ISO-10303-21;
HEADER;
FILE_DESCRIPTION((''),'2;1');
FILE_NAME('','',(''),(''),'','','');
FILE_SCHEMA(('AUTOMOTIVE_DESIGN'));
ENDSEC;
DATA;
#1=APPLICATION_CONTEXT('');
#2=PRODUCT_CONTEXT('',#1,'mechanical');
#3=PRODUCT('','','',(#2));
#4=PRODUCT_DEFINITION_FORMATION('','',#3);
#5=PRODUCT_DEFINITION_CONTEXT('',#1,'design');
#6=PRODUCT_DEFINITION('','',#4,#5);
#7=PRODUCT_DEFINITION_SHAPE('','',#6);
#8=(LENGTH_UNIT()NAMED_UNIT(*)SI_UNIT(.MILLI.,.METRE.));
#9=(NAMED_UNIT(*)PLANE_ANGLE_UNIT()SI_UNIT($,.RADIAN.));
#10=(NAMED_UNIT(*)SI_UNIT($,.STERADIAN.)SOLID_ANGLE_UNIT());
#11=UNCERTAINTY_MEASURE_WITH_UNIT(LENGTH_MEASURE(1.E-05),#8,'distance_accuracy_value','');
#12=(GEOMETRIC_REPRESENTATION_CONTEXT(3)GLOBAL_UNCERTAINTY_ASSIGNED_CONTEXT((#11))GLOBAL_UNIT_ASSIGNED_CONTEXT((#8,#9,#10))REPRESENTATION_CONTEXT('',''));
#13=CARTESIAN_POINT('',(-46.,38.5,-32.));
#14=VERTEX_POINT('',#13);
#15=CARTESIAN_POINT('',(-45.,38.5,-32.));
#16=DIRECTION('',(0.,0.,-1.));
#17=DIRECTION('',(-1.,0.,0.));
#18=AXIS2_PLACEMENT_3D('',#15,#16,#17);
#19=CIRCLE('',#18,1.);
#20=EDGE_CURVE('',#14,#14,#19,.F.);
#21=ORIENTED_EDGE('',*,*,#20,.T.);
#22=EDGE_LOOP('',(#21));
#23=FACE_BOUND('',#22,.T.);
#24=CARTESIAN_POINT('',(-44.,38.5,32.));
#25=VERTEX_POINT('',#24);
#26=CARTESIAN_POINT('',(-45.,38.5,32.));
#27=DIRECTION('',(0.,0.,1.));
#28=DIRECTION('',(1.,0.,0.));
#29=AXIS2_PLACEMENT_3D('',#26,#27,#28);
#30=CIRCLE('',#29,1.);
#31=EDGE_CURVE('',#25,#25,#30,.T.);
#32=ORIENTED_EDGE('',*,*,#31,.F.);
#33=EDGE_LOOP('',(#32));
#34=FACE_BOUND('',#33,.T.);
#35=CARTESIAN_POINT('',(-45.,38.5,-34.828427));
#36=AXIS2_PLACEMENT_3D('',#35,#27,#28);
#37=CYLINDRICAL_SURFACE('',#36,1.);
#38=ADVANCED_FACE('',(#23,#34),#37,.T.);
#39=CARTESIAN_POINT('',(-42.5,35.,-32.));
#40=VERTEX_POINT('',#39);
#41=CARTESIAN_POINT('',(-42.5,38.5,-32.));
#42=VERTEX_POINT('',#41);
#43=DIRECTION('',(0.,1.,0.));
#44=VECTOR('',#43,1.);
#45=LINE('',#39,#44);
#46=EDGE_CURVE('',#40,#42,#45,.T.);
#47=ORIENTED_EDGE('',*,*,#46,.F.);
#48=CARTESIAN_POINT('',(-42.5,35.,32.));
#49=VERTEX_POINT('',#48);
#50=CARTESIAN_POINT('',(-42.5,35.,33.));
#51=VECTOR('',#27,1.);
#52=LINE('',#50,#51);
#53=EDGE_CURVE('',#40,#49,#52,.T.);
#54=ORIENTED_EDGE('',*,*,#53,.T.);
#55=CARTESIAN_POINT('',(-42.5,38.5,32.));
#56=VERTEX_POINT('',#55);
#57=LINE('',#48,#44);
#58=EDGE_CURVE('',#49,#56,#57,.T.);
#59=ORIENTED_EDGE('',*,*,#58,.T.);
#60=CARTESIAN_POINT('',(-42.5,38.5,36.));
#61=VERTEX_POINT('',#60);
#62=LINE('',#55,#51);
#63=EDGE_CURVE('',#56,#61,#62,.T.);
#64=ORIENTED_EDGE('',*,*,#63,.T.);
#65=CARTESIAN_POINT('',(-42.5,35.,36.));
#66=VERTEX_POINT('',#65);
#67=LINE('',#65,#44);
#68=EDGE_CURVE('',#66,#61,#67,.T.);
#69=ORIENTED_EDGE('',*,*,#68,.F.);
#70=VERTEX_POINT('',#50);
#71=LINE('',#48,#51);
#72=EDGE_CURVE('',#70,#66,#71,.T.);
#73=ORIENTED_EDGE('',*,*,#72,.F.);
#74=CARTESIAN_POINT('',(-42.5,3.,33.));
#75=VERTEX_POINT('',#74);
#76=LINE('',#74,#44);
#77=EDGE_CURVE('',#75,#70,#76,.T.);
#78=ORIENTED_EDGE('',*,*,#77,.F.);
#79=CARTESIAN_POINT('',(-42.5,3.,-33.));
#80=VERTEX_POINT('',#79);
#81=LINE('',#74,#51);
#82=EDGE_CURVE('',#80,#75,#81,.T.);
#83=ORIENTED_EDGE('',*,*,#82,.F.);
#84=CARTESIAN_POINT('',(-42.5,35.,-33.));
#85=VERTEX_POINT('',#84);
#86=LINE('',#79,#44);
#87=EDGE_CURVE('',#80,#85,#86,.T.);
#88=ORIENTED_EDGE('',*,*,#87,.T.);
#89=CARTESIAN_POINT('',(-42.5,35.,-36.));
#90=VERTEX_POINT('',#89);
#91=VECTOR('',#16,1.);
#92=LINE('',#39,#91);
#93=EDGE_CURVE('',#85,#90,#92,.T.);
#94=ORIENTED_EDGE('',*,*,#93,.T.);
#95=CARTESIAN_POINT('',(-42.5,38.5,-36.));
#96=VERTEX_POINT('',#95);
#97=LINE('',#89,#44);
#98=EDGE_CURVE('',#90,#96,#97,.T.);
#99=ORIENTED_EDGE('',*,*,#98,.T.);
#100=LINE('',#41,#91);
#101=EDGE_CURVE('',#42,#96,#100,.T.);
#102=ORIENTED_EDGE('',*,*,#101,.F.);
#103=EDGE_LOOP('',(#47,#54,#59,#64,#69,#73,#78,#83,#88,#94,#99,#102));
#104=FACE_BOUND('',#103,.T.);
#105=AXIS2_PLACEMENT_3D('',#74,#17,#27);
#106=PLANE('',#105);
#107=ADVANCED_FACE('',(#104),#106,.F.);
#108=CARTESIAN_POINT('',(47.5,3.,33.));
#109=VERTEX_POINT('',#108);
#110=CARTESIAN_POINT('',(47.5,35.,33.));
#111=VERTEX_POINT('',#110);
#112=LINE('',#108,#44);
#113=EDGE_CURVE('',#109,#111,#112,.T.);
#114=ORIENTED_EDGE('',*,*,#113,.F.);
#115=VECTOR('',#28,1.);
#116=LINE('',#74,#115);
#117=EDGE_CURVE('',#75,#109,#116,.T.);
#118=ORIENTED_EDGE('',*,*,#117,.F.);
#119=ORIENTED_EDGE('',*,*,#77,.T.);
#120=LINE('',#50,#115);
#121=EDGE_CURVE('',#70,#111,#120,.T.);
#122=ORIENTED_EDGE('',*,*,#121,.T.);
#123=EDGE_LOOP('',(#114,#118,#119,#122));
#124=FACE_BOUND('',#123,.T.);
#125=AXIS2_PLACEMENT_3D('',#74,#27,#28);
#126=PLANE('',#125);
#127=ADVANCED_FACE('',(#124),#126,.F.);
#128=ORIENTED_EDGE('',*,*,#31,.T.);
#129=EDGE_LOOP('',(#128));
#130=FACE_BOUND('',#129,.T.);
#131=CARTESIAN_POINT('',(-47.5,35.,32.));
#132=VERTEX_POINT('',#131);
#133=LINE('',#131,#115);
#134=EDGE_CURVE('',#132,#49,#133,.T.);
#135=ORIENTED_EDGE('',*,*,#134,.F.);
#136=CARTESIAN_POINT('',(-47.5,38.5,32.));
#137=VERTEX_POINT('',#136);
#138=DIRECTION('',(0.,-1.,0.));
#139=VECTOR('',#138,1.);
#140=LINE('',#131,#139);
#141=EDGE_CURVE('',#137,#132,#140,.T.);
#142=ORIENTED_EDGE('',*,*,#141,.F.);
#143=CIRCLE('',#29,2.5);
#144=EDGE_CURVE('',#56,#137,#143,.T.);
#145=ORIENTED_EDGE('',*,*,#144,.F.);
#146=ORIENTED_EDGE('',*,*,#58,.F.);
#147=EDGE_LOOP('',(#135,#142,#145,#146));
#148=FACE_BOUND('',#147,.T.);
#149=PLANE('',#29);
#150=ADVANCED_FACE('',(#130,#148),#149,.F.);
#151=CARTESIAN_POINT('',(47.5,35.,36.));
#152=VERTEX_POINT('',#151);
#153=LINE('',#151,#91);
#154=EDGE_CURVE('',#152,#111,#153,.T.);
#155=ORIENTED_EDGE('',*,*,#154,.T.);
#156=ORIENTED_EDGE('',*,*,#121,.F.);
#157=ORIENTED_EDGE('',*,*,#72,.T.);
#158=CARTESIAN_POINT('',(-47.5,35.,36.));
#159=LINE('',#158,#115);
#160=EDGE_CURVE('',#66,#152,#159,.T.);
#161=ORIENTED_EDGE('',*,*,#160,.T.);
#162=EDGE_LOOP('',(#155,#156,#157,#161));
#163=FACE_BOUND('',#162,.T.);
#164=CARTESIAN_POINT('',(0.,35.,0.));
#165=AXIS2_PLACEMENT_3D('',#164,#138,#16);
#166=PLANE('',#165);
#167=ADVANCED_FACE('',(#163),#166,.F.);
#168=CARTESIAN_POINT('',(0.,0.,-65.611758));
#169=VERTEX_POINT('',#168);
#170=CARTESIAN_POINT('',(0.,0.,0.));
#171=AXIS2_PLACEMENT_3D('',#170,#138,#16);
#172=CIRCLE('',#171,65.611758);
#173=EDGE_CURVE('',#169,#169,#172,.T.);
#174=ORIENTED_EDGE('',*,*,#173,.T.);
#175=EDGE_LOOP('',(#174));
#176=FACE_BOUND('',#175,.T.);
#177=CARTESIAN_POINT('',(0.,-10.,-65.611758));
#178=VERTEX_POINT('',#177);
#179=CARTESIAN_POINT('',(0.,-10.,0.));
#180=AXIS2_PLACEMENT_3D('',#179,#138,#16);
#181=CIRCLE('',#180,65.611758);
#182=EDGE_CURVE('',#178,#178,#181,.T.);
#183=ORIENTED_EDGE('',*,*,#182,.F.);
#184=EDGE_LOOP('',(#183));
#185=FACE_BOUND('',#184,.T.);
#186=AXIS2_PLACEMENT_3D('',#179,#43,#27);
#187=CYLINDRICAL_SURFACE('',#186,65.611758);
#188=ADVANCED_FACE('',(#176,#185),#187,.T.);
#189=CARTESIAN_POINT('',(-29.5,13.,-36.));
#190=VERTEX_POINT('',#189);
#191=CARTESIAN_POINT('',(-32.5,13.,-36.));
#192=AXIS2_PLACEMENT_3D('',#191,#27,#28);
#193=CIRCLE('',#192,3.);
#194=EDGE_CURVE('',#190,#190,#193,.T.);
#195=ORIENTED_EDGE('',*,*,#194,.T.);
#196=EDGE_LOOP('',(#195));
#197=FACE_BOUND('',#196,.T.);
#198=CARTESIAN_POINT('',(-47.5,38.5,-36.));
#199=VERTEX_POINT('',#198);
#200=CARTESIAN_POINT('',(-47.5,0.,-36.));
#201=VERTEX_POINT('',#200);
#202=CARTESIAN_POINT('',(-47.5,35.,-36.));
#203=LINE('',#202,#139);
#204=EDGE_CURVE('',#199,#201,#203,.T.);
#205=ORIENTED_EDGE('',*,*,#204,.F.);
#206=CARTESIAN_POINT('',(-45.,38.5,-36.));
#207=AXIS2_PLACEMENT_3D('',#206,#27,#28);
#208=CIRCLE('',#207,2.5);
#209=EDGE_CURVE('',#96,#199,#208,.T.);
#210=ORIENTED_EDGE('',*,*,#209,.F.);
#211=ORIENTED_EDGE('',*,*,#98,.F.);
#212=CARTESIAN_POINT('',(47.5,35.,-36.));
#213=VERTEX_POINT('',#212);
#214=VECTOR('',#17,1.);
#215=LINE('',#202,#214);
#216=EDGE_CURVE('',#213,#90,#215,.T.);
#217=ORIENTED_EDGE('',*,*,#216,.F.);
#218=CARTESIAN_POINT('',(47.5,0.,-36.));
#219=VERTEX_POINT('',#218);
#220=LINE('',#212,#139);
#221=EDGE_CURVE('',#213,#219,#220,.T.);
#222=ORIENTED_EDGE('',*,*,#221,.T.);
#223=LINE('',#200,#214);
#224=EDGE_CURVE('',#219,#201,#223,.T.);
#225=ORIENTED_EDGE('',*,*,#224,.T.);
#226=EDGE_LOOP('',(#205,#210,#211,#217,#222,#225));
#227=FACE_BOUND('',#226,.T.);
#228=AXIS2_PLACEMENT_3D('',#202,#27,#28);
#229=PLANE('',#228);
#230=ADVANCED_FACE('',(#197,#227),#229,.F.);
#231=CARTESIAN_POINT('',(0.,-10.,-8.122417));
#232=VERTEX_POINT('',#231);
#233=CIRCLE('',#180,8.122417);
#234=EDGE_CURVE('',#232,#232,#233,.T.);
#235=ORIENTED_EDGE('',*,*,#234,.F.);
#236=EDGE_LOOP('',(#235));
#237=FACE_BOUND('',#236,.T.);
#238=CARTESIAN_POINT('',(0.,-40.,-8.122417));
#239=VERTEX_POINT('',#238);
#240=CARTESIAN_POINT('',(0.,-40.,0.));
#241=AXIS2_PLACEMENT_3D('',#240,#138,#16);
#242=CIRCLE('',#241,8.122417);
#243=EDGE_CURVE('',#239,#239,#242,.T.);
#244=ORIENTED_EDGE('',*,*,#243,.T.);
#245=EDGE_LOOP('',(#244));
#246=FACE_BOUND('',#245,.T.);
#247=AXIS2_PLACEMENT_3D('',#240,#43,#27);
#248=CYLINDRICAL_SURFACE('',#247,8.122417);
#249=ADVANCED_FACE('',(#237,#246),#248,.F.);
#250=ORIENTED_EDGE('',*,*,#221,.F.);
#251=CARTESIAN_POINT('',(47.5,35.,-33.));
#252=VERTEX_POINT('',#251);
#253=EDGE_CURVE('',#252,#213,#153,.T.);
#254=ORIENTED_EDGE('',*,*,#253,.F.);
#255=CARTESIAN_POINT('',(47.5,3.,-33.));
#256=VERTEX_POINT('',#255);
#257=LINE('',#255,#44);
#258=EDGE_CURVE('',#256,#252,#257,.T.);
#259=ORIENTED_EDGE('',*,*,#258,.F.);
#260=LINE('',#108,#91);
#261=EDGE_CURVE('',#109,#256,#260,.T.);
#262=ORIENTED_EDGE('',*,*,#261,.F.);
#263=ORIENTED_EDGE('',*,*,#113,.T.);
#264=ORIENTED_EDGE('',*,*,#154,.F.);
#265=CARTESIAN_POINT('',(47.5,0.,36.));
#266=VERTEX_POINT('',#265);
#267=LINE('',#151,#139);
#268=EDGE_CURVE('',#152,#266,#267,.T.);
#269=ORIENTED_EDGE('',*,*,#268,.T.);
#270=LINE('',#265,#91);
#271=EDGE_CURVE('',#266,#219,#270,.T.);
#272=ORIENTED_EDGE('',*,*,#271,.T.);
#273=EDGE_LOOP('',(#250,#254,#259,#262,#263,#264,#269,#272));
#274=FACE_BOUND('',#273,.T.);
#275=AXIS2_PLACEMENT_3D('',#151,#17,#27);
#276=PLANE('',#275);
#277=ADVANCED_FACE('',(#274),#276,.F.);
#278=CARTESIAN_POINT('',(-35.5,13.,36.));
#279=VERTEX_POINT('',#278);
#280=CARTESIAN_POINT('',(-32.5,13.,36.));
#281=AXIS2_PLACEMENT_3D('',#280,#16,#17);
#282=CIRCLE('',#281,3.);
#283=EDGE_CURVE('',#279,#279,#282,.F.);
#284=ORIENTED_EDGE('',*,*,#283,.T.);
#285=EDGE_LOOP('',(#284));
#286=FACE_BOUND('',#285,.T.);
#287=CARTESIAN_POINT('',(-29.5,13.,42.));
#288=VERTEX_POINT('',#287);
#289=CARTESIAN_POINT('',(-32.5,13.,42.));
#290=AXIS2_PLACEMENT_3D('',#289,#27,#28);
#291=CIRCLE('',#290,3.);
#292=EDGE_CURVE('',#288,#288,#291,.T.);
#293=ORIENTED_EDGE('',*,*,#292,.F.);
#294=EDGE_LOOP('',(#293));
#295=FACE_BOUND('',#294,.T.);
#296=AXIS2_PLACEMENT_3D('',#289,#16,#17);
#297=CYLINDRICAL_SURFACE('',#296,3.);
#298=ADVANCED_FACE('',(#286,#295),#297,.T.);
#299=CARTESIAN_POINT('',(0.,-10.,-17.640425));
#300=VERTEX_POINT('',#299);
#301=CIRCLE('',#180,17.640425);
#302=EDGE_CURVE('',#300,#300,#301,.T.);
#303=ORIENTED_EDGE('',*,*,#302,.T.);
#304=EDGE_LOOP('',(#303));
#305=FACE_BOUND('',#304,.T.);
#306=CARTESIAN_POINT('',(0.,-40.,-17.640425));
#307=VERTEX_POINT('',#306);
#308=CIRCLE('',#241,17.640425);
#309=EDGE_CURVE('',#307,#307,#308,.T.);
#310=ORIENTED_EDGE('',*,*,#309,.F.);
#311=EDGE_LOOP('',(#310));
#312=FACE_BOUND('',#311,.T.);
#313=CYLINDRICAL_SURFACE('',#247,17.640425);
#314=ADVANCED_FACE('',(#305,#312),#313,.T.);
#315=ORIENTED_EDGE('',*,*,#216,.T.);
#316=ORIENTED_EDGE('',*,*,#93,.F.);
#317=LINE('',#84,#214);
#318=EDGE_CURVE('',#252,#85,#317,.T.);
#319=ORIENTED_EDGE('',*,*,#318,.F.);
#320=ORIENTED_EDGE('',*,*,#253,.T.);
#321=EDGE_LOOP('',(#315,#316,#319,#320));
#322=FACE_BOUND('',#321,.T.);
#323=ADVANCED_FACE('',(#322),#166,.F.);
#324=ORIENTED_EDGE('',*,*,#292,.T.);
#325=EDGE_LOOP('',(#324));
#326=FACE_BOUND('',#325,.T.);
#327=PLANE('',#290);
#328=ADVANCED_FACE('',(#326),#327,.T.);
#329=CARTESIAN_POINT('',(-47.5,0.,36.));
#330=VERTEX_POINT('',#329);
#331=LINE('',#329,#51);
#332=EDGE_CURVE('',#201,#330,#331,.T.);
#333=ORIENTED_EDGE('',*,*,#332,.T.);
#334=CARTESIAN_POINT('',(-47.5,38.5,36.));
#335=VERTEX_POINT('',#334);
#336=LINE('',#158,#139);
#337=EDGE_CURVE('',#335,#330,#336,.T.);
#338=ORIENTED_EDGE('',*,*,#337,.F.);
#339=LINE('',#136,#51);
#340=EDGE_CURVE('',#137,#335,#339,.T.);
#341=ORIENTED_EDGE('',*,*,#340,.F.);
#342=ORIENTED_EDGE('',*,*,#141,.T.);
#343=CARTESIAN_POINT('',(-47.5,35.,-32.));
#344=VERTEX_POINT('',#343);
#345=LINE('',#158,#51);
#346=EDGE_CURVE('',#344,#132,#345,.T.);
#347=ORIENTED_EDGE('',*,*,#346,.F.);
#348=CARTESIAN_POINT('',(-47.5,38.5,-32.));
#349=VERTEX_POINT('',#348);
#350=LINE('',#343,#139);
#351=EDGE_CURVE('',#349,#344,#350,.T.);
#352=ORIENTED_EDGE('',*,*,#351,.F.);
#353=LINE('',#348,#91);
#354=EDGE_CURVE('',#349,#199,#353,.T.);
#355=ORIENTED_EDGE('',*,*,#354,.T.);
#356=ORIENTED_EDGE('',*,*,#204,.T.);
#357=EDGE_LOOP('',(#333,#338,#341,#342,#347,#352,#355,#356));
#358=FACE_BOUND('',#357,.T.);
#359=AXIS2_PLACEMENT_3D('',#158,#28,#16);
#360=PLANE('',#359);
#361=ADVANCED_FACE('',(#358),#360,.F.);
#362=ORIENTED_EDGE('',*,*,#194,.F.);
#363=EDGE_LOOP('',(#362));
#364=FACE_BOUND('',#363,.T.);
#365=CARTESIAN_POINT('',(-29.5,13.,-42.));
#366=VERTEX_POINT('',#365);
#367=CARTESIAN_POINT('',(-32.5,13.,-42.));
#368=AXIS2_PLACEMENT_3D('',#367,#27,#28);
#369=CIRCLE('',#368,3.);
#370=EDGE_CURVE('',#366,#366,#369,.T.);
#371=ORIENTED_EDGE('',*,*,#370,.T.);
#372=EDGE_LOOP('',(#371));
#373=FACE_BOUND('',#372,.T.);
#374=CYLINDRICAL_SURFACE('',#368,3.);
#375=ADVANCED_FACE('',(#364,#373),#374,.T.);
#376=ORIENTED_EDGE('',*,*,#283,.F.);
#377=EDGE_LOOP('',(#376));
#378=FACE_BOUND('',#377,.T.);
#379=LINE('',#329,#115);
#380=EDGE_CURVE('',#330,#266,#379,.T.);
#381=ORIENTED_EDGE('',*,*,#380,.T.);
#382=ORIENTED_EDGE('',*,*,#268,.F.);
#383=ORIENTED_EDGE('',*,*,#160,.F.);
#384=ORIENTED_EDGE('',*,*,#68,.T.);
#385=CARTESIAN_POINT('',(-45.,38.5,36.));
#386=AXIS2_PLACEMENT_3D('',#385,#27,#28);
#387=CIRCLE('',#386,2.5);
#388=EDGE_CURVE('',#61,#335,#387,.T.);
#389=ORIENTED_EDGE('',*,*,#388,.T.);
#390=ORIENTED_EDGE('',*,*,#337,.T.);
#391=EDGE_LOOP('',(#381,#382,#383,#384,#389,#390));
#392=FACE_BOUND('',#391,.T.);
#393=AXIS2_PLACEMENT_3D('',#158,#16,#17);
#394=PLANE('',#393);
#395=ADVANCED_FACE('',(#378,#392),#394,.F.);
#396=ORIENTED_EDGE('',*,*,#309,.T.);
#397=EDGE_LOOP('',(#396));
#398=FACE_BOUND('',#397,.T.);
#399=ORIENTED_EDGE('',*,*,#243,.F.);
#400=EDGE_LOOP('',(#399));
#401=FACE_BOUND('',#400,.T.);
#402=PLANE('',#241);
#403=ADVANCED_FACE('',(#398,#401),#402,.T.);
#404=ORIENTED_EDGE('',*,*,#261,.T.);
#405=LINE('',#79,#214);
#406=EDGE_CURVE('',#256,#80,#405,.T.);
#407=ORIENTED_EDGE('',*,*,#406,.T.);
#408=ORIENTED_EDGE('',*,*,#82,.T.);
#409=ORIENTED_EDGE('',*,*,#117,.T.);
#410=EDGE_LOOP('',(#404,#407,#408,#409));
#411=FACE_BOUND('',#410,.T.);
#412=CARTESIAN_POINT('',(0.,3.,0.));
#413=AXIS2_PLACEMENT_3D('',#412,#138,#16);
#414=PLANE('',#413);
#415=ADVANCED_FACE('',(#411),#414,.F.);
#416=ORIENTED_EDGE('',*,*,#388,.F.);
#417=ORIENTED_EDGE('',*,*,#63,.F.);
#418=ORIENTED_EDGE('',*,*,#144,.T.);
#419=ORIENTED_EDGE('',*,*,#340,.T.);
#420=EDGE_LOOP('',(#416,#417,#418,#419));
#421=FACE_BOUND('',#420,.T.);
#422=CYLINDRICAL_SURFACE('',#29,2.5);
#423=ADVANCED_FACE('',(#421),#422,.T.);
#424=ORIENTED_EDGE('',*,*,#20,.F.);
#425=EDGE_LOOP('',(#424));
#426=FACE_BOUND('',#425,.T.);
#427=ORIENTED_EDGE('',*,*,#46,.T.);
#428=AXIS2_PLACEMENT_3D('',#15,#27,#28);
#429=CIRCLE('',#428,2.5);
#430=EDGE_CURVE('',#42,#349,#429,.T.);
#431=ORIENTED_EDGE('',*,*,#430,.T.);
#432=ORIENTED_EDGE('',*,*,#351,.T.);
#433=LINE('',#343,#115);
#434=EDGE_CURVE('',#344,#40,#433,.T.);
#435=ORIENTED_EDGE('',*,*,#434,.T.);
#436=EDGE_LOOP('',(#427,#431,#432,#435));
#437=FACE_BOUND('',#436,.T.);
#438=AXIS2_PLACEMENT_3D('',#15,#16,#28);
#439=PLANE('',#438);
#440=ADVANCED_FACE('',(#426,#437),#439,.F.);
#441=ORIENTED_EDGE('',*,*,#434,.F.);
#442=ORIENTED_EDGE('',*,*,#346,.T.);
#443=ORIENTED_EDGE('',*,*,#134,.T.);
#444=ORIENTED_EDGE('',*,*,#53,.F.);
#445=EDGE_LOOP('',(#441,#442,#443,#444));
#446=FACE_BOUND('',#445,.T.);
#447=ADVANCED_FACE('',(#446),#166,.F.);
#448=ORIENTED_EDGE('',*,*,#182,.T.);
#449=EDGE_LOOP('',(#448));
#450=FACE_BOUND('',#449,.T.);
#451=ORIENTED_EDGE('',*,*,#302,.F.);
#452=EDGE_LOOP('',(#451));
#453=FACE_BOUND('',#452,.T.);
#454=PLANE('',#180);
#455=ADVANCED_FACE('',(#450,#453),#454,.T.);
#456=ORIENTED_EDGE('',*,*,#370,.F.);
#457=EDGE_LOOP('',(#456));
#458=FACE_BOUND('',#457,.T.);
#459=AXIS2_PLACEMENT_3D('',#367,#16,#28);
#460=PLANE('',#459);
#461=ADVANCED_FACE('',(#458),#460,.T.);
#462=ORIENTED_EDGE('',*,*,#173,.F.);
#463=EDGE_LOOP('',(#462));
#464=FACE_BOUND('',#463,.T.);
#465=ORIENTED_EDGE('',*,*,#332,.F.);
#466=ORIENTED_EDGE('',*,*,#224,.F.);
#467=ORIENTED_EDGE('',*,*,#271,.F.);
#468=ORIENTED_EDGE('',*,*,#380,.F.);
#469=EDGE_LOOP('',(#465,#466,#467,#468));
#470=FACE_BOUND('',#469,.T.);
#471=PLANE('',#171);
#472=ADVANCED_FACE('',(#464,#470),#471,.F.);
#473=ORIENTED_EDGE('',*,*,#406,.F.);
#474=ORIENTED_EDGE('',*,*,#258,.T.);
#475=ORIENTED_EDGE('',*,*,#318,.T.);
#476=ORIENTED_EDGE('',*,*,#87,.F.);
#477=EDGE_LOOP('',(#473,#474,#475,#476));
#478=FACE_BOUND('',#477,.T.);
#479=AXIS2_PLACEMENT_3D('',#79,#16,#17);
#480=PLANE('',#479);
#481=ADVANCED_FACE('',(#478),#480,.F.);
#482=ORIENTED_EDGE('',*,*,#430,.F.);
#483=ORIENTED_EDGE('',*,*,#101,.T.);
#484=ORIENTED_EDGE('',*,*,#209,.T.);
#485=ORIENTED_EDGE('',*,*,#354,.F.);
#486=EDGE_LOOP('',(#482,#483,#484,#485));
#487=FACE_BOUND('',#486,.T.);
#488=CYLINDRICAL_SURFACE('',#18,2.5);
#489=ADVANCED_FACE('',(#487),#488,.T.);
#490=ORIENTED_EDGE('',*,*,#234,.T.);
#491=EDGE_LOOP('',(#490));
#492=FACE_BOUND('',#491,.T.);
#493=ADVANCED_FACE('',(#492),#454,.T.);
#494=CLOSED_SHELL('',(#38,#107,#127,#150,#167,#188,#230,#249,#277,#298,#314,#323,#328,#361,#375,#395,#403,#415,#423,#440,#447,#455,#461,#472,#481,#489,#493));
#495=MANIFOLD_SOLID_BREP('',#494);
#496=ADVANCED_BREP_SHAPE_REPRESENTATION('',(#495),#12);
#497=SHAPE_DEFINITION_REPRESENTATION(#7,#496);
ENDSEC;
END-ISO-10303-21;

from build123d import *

# Parameters (mm, degrees)
SKETCH1_W           = 95
SKETCH1_H           = 72
BOSS_EXTRUDE1_DEPTH = 35
SKETCH5_W           = 90
SKETCH5_H           = 66
CUT_EXTRUDE1_DEPTH  = 32
SKETCH9_R           = 3
BOSS_EXTRUDE4_DEPTH = 6
BOSS_EXTRUDE5_DEPTH = 4
SKETCH11_R          = 65.611758171
BOSS_EXTRUDE6_DEPTH = 10
SKETCH12_R          = 17.640424805
SKETCH12_R_2        = 8.122416637
BOSS_EXTRUDE7_DEPTH = 30
SKETCH13_R          = 1
BOSS_EXTRUDE8_DEPTH = 68


with BuildPart() as part:
    # Sketch1 → Boss-Extrude1 (new body)
    with BuildSketch(Plane(origin=(0, 0, 0), x_dir=(1, 0, 0), z_dir=(0, 1, 0))):
        Rectangle(SKETCH1_W, SKETCH1_H)
    extrude(amount=BOSS_EXTRUDE1_DEPTH)

    # Sketch5 → Cut-Extrude1 (cut)
    with BuildSketch(Plane(origin=(0, 35, 0), x_dir=(1, 0, 0), z_dir=(0, 1, 0))):
        with Locations((2.5, 0)):
            Rectangle(SKETCH5_W, SKETCH5_H)
    extrude(amount=-CUT_EXTRUDE1_DEPTH, mode=Mode.SUBTRACT)

    # Sketch9 → Boss-Extrude4 (add)
    with BuildSketch(Plane.XY.offset(36)):
        with Locations(Location((-32.5, 13, 0), (0, 0, 180))):
            Circle(SKETCH9_R)
    boss_extrude4 = extrude(amount=BOSS_EXTRUDE4_DEPTH)

    # Mirror3: Boss-Extrude4 across plane
    add(boss_extrude4.mirror(Plane.XY))

    # Sketch10 → Boss-Extrude5 (add)
    with BuildSketch(Plane.XY.offset(36)):
        with BuildLine():
            Line((-42.5, 35), (-42.5, 38.5))
            ThreePointArc((-42.5, 38.5), (-45, 41), (-47.5, 38.5))
            Line((-47.5, 38.5), (-47.5, 35))
            Line((-47.5, 35), (-42.5, 35))
        make_face()
    boss_extrude5 = extrude(amount=-BOSS_EXTRUDE5_DEPTH)

    # Mirror4: Boss-Extrude5 across plane
    add(boss_extrude5.mirror(Plane.XY))

    # Sketch11 → Boss-Extrude6 (add)
    with BuildSketch(Plane.XZ):
        with Locations(Location((0, 0, 0), (0, 0, 270))):
            Circle(SKETCH11_R)
    extrude(amount=BOSS_EXTRUDE6_DEPTH)

    # Sketch12 → Boss-Extrude7 (add)
    with BuildSketch(Plane.XZ.offset(10)):
        with Locations(Location((0, 0, 0), (0, 0, 270))):
            Circle(SKETCH12_R)
        with Locations(Location((0, 0, 0), (0, 0, 270))):
            Circle(SKETCH12_R_2, mode=Mode.SUBTRACT)
    extrude(amount=BOSS_EXTRUDE7_DEPTH)

    # Sketch13 → Boss-Extrude8 (add)
    with BuildSketch(Plane.XY.offset(36)):
        with Locations((-45, 38.5)):
            Circle(SKETCH13_R)
    extrude(amount=-BOSS_EXTRUDE8_DEPTH)


solid = part.part
